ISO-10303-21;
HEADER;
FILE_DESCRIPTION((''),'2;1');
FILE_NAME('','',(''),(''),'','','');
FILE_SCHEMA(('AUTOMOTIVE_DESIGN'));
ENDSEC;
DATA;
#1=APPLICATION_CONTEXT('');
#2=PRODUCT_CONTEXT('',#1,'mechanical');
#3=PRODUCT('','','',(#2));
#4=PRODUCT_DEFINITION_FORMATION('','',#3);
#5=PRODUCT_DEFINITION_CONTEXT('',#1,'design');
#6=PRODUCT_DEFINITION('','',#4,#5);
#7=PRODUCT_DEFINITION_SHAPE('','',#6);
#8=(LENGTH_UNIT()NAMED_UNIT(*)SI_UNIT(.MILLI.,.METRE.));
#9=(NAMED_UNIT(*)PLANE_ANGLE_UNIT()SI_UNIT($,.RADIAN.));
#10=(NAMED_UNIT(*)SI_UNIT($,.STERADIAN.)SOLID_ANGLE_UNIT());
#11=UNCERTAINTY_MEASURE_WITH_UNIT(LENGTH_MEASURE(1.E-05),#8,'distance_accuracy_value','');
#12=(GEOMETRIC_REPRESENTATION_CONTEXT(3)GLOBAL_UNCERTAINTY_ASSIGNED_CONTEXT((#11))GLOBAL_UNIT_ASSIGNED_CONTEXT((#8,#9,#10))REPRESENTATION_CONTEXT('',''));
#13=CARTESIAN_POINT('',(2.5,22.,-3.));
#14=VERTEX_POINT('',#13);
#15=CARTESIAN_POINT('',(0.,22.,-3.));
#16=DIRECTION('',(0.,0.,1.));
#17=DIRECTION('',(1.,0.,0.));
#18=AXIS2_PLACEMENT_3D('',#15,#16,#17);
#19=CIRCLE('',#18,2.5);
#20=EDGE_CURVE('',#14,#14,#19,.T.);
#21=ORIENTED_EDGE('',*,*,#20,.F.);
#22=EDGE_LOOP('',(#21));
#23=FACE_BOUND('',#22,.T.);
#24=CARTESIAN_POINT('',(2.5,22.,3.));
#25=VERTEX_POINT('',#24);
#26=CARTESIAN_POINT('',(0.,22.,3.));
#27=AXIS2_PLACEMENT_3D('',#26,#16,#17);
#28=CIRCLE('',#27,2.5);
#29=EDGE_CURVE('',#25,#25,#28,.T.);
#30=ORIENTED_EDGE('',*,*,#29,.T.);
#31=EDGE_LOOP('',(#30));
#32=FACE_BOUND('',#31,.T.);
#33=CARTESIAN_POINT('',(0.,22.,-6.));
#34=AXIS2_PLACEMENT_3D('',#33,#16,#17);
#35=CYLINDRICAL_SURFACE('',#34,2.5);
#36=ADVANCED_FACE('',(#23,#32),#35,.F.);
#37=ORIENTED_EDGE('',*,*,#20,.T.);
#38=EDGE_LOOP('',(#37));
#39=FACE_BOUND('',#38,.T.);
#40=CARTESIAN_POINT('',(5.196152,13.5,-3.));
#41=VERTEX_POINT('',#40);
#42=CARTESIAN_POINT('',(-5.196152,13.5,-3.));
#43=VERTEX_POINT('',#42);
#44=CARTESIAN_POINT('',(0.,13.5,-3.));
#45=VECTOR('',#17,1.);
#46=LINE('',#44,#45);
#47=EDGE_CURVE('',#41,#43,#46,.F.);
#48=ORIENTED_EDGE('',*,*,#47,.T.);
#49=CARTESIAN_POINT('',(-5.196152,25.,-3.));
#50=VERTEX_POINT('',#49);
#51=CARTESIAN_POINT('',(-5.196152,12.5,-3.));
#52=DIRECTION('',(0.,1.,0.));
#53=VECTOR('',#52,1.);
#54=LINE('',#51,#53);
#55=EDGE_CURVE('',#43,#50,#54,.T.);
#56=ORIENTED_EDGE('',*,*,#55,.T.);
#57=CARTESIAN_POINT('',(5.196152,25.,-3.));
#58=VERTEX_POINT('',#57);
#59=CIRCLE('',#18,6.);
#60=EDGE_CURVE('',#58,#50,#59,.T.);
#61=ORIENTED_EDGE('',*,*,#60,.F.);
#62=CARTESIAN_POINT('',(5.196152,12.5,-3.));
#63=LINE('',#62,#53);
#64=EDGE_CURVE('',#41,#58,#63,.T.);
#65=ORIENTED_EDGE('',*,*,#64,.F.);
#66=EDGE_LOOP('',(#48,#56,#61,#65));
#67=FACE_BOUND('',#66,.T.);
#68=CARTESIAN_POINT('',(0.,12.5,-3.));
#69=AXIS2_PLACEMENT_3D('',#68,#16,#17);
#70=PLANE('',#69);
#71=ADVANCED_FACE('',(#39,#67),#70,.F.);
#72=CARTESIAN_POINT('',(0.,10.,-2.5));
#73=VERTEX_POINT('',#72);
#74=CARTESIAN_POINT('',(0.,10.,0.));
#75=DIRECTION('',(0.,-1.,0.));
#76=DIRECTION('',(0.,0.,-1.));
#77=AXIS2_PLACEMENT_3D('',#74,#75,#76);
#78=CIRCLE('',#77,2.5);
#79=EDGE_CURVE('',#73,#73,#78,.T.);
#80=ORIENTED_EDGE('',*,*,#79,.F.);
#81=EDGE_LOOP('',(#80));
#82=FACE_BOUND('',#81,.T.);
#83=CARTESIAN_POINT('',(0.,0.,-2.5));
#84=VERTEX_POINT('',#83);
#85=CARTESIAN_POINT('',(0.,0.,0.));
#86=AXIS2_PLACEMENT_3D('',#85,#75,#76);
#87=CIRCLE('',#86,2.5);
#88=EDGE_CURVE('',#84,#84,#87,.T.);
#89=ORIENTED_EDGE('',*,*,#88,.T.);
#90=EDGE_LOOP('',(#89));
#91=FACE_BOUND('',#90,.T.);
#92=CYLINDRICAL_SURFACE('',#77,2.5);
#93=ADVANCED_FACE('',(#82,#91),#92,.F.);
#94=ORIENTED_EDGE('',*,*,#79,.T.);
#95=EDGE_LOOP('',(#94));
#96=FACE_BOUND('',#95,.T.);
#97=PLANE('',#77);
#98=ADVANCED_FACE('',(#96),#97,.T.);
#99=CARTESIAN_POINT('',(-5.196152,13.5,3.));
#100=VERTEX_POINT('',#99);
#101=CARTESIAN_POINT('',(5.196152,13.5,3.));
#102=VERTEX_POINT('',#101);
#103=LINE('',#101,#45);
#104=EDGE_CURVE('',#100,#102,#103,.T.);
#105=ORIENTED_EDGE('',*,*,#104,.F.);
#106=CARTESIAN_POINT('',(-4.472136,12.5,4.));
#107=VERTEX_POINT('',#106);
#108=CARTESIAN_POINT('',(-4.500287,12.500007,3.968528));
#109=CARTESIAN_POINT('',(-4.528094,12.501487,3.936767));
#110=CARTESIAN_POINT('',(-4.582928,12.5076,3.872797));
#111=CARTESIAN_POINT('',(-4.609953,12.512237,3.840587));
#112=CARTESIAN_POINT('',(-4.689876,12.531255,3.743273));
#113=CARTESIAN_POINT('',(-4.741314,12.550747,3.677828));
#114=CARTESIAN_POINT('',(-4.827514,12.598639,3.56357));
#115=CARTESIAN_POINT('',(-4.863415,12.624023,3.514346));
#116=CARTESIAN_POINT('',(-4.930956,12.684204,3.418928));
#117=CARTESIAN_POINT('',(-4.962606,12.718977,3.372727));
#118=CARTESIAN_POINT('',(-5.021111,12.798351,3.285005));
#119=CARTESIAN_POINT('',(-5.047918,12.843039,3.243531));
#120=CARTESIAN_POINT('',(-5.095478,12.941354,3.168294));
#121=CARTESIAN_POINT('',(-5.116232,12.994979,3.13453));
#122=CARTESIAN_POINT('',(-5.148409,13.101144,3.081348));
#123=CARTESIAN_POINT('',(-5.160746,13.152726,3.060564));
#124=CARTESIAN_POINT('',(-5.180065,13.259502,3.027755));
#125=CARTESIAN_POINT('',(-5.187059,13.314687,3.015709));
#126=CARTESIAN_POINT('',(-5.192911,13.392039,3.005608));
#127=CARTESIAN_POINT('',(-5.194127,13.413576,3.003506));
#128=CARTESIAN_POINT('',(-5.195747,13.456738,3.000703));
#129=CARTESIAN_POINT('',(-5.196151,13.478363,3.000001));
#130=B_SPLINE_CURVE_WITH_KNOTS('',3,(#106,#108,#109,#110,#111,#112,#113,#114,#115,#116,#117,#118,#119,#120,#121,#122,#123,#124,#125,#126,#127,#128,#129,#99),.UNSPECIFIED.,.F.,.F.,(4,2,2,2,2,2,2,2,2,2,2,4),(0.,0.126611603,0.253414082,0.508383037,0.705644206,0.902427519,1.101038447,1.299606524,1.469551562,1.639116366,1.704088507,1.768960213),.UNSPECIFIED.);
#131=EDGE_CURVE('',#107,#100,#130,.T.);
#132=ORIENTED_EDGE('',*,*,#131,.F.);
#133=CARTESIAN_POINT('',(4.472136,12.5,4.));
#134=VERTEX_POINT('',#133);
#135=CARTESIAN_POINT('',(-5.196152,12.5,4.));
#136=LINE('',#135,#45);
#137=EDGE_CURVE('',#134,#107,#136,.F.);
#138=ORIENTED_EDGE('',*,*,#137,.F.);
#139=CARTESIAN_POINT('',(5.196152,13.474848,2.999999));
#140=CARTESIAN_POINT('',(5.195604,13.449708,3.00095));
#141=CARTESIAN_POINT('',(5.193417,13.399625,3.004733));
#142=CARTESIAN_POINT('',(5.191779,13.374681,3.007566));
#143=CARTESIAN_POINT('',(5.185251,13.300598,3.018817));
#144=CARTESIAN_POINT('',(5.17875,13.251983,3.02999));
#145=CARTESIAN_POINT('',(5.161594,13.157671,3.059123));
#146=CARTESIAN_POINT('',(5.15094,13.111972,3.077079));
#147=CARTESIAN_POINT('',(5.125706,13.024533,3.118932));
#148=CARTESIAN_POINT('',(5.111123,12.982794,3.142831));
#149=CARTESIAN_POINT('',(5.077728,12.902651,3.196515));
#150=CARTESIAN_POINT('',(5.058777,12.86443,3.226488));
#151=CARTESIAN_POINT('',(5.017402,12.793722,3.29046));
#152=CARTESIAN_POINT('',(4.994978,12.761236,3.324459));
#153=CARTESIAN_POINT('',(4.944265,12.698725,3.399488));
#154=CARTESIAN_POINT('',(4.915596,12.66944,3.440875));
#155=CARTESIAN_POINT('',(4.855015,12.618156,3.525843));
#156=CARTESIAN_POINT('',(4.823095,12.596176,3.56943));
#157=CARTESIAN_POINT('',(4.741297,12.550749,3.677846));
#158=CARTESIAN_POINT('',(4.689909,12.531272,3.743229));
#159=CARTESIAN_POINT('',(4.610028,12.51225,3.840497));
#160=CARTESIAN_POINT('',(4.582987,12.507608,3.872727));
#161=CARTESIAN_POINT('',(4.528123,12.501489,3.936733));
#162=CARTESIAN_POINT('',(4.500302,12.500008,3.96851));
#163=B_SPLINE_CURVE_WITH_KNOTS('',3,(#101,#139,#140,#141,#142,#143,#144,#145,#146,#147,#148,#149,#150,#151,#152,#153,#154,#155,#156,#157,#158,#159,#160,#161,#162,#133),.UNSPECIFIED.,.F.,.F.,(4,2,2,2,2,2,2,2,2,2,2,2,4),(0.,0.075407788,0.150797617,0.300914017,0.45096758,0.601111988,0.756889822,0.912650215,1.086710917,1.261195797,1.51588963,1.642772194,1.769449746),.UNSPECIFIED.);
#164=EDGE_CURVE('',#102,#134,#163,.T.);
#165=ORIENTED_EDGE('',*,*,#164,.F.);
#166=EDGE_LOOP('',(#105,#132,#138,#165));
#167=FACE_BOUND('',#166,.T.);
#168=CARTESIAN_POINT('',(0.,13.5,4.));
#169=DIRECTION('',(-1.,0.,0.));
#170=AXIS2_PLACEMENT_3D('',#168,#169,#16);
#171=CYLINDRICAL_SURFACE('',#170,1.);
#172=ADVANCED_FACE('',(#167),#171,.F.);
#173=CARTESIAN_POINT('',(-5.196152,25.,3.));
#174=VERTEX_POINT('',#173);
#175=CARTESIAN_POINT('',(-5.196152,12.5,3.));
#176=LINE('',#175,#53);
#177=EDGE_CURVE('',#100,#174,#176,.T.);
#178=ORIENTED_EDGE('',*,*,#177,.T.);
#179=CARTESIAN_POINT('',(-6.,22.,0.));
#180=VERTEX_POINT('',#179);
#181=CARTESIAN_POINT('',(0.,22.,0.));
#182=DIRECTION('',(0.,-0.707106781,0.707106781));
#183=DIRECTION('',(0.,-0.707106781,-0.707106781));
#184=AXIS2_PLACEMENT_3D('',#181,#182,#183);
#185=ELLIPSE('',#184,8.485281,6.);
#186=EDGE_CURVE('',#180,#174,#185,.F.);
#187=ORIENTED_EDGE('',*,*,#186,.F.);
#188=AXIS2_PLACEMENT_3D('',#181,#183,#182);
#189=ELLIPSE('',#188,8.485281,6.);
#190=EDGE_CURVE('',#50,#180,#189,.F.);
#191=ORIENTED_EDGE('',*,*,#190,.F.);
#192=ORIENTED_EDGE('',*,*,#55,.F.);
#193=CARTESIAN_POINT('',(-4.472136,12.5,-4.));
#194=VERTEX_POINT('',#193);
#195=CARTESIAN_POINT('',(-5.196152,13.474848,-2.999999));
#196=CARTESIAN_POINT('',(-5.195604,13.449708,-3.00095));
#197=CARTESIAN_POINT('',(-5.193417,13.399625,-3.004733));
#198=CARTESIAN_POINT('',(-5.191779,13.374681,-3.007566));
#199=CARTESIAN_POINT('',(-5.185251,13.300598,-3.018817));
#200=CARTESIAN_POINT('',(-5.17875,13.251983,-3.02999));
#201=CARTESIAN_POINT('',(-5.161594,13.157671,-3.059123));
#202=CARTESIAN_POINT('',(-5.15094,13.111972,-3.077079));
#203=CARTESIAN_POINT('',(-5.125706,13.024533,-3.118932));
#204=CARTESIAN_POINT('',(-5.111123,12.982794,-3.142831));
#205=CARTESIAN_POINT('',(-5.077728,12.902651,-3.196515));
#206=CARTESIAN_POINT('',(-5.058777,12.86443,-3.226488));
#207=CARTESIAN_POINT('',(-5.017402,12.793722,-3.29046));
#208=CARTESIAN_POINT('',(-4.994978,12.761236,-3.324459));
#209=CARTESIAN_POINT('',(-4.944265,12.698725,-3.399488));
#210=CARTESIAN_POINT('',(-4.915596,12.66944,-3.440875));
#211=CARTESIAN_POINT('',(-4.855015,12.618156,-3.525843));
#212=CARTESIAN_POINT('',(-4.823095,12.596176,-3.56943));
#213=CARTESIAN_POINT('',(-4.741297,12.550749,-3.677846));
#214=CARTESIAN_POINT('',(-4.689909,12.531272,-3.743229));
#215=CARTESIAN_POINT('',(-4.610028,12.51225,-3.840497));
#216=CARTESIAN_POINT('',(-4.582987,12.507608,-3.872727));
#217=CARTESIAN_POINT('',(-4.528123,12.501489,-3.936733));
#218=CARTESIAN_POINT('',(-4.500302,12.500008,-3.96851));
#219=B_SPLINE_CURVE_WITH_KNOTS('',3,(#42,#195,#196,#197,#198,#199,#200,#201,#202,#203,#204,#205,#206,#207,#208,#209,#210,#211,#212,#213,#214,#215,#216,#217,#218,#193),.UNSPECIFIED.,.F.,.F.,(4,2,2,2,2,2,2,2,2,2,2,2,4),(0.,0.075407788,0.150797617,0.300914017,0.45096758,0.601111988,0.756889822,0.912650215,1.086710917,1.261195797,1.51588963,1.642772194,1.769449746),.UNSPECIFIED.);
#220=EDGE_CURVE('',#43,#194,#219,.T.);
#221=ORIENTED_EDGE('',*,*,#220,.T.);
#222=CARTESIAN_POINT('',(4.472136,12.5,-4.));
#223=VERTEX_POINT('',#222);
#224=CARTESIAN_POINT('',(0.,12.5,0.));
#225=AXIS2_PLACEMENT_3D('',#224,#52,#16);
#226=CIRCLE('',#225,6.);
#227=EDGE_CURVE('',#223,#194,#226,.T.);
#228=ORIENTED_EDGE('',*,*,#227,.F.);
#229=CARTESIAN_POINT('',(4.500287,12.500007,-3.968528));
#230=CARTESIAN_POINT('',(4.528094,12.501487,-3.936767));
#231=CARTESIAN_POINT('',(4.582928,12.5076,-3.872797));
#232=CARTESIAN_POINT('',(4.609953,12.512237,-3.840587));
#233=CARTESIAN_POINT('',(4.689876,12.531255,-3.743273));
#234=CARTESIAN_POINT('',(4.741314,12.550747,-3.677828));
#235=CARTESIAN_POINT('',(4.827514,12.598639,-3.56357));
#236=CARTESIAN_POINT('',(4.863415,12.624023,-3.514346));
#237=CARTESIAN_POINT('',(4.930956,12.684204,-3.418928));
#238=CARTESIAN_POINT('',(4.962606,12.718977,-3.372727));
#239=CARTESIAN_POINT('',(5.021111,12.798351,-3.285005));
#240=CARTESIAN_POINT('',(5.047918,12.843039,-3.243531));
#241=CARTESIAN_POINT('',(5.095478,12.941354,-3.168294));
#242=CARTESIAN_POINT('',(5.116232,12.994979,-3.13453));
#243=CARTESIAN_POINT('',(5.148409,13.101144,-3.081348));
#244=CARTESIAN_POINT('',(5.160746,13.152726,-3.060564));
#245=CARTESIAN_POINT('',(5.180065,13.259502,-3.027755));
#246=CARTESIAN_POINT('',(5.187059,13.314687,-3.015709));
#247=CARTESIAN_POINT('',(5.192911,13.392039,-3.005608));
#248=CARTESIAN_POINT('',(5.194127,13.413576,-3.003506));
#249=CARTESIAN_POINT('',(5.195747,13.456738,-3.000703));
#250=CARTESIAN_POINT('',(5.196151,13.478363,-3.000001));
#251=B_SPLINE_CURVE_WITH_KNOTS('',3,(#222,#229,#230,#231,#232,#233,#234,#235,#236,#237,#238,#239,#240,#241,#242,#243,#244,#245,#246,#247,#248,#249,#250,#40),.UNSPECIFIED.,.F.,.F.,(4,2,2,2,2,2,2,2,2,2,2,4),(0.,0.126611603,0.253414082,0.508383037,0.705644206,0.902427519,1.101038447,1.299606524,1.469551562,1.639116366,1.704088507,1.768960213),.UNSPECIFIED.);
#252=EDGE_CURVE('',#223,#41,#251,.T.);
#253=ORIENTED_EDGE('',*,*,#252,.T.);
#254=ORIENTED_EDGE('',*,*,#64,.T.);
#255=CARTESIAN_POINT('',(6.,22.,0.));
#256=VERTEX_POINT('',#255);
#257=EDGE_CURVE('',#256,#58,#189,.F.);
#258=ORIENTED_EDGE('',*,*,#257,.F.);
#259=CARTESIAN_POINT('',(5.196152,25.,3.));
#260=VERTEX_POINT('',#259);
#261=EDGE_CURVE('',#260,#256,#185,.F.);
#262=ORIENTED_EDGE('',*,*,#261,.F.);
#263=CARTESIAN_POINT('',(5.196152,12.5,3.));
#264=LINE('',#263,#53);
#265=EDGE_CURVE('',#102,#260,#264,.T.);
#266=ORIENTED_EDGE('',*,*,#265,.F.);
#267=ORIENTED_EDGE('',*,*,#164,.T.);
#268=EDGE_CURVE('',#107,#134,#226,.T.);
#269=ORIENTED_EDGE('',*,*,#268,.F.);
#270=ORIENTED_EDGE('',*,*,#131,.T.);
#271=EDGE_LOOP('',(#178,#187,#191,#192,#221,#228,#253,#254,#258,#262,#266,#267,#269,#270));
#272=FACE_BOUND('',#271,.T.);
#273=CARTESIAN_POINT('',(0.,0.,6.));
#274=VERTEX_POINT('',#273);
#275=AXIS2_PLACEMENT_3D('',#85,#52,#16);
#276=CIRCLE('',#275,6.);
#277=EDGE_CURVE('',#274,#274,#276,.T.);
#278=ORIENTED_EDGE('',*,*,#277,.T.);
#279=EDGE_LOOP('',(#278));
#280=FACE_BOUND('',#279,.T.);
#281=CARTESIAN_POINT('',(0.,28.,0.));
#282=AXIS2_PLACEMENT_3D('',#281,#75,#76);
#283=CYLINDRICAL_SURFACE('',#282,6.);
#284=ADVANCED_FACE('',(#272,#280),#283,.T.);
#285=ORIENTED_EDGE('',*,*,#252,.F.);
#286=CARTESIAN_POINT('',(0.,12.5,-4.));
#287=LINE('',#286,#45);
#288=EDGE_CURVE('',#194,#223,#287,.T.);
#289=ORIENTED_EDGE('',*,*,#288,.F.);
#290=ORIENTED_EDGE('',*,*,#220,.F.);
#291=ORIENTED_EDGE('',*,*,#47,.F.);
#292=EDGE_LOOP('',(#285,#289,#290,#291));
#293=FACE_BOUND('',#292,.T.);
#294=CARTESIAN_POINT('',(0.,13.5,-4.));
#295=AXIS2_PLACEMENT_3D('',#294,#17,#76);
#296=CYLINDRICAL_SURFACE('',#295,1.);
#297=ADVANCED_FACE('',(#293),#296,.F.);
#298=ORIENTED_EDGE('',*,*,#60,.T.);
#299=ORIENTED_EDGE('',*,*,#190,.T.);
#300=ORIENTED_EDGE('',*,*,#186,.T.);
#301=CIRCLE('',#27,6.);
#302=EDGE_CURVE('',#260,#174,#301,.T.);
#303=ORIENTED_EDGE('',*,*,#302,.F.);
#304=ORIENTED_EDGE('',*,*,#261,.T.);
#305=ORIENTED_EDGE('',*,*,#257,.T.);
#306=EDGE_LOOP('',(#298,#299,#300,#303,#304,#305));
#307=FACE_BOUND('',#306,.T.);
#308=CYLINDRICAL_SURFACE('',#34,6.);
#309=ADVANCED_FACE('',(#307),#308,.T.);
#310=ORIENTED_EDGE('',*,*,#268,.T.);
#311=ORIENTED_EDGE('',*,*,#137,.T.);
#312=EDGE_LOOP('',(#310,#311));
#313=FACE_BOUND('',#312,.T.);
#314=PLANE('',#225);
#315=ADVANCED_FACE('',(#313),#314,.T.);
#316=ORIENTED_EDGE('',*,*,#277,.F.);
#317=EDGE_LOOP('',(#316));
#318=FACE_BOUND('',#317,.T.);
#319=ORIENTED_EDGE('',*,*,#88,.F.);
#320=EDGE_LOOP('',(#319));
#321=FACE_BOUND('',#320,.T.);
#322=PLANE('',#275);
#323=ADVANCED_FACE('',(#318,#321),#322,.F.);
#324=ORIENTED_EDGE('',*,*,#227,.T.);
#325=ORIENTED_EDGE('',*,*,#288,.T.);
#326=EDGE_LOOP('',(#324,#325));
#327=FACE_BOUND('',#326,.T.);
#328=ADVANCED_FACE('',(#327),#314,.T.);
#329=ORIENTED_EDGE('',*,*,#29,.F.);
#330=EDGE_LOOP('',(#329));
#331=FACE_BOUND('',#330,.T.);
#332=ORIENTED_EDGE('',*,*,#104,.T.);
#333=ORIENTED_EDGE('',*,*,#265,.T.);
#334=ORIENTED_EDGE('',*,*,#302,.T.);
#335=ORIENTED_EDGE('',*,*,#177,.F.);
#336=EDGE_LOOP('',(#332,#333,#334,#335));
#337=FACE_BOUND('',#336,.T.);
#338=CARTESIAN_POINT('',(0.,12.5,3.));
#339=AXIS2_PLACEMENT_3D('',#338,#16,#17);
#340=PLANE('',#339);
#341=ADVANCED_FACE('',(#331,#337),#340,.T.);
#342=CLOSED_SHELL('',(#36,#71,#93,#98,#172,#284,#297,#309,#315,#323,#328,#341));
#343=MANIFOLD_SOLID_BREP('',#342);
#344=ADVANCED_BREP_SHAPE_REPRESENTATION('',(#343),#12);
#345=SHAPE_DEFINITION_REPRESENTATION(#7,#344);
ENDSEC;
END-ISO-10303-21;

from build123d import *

# Parameters (mm, degrees)
SKETCH1_R           = 6
BOSS_EXTRUDE1_DEPTH = 28
CUT_EXTRUDE1_START  = -15.5
CUT_EXTRUDE1_DEPTH  = 15.5
CUT_EXTRUDE2_DEPTH  = 31.01666204
SKETCH4_R           = 2.5
CUT_EXTRUDE3_DEPTH  = 31.01666204
FILLET1_R           = 1
CUT_EXTRUDE4_DEPTH  = 31.016662183
SKETCH7_R           = 2.5
CUT_EXTRUDE5_DEPTH  = 10


with BuildPart() as part:
    # Sketch1 → Boss-Extrude1 (new body)
    with BuildSketch(Plane(origin=(0, 0, 0), x_dir=(1, 0, 0), z_dir=(0, 1, 0))):
        with Locations(Location((0, 0, 0), (0, 0, 270))):
            Circle(SKETCH1_R)
    extrude(amount=BOSS_EXTRUDE1_DEPTH)

    # Sketch2 → Cut-Extrude1 (cut)
    with BuildSketch(Plane(origin=(0, 28, 0), x_dir=(1, 0, 0), z_dir=(0, 1, 0)).offset(CUT_EXTRUDE1_START)):
        with BuildLine():
            ThreePointArc((5.196152423, 3), (0, 6), (-5.196152423, 3))
            Line((-5.196152423, 3), (5.196152423, 3))
        make_face()
        with BuildLine():
            Line((5.196152423, -3), (-5.196152423, -3))
            ThreePointArc((-5.196152423, -3), (0, -6), (5.196152423, -3))
        make_face()
    extrude(amount=CUT_EXTRUDE1_DEPTH, mode=Mode.SUBTRACT)

    # Sketch3 → Cut-Extrude2 (cut, through all)
    with BuildSketch(Plane.XY.offset(3)):
        with BuildLine():
            ThreePointArc((-5.196152423, 25), (-3, 27.196152423), (0, 28))
            Line((0, 28), (-5.196152423, 28))
            Line((-5.196152423, 28), (-5.196152423, 25))
        make_face()
        with BuildLine():
            ThreePointArc((0, 28), (3, 27.196152423), (5.196152423, 25))
            Line((5.196152423, 25), (5.196152423, 28))
            Line((5.196152423, 28), (0, 28))
        make_face()
    extrude(amount=-CUT_EXTRUDE2_DEPTH, mode=Mode.SUBTRACT)

    # Sketch4 → Cut-Extrude3 (cut, through all)
    with BuildSketch(Plane.XY.offset(3)):
        with Locations((0, 22)):
            Circle(SKETCH4_R)
    extrude(amount=-CUT_EXTRUDE3_DEPTH, mode=Mode.SUBTRACT)

    # Fillet1
    fillet1_edges = [part.edges().sort_by_distance(p)[0] for p in [
        (0, 12.5, -3),
        (0, 12.5, 3),
    ]]
    fillet(fillet1_edges, radius=FILLET1_R)

    # Sketch6 → Cut-Extrude4 (cut, through all)
    with BuildSketch(Plane.XY.offset(3)):
        with BuildLine():
            Line((-6, 28), (-6, 22))
            ThreePointArc((-6, 22), (-5.795554958, 23.552914271), (-5.196152423, 25))
            ThreePointArc((-5.196152423, 25), (-3, 27.196152423), (0, 28))
            Line((0, 28), (-6, 28))
        make_face()
        with BuildLine():
            ThreePointArc((5.196152423, 25), (5.795554958, 23.552914271), (6, 22))
            Line((6, 22), (6, 28))
            Line((6, 28), (0, 28))
            ThreePointArc((0, 28), (3, 27.196152423), (5.196152423, 25))
        make_face()
    extrude(amount=-CUT_EXTRUDE4_DEPTH, mode=Mode.SUBTRACT)

    # Sketch7 → Cut-Extrude5 (cut)
    with BuildSketch(Plane.XZ):
        with Locations(Location((0, 0, 0), (0, 0, 270))):
            Circle(SKETCH7_R)
    extrude(amount=-CUT_EXTRUDE5_DEPTH, mode=Mode.SUBTRACT)


solid = part.part
